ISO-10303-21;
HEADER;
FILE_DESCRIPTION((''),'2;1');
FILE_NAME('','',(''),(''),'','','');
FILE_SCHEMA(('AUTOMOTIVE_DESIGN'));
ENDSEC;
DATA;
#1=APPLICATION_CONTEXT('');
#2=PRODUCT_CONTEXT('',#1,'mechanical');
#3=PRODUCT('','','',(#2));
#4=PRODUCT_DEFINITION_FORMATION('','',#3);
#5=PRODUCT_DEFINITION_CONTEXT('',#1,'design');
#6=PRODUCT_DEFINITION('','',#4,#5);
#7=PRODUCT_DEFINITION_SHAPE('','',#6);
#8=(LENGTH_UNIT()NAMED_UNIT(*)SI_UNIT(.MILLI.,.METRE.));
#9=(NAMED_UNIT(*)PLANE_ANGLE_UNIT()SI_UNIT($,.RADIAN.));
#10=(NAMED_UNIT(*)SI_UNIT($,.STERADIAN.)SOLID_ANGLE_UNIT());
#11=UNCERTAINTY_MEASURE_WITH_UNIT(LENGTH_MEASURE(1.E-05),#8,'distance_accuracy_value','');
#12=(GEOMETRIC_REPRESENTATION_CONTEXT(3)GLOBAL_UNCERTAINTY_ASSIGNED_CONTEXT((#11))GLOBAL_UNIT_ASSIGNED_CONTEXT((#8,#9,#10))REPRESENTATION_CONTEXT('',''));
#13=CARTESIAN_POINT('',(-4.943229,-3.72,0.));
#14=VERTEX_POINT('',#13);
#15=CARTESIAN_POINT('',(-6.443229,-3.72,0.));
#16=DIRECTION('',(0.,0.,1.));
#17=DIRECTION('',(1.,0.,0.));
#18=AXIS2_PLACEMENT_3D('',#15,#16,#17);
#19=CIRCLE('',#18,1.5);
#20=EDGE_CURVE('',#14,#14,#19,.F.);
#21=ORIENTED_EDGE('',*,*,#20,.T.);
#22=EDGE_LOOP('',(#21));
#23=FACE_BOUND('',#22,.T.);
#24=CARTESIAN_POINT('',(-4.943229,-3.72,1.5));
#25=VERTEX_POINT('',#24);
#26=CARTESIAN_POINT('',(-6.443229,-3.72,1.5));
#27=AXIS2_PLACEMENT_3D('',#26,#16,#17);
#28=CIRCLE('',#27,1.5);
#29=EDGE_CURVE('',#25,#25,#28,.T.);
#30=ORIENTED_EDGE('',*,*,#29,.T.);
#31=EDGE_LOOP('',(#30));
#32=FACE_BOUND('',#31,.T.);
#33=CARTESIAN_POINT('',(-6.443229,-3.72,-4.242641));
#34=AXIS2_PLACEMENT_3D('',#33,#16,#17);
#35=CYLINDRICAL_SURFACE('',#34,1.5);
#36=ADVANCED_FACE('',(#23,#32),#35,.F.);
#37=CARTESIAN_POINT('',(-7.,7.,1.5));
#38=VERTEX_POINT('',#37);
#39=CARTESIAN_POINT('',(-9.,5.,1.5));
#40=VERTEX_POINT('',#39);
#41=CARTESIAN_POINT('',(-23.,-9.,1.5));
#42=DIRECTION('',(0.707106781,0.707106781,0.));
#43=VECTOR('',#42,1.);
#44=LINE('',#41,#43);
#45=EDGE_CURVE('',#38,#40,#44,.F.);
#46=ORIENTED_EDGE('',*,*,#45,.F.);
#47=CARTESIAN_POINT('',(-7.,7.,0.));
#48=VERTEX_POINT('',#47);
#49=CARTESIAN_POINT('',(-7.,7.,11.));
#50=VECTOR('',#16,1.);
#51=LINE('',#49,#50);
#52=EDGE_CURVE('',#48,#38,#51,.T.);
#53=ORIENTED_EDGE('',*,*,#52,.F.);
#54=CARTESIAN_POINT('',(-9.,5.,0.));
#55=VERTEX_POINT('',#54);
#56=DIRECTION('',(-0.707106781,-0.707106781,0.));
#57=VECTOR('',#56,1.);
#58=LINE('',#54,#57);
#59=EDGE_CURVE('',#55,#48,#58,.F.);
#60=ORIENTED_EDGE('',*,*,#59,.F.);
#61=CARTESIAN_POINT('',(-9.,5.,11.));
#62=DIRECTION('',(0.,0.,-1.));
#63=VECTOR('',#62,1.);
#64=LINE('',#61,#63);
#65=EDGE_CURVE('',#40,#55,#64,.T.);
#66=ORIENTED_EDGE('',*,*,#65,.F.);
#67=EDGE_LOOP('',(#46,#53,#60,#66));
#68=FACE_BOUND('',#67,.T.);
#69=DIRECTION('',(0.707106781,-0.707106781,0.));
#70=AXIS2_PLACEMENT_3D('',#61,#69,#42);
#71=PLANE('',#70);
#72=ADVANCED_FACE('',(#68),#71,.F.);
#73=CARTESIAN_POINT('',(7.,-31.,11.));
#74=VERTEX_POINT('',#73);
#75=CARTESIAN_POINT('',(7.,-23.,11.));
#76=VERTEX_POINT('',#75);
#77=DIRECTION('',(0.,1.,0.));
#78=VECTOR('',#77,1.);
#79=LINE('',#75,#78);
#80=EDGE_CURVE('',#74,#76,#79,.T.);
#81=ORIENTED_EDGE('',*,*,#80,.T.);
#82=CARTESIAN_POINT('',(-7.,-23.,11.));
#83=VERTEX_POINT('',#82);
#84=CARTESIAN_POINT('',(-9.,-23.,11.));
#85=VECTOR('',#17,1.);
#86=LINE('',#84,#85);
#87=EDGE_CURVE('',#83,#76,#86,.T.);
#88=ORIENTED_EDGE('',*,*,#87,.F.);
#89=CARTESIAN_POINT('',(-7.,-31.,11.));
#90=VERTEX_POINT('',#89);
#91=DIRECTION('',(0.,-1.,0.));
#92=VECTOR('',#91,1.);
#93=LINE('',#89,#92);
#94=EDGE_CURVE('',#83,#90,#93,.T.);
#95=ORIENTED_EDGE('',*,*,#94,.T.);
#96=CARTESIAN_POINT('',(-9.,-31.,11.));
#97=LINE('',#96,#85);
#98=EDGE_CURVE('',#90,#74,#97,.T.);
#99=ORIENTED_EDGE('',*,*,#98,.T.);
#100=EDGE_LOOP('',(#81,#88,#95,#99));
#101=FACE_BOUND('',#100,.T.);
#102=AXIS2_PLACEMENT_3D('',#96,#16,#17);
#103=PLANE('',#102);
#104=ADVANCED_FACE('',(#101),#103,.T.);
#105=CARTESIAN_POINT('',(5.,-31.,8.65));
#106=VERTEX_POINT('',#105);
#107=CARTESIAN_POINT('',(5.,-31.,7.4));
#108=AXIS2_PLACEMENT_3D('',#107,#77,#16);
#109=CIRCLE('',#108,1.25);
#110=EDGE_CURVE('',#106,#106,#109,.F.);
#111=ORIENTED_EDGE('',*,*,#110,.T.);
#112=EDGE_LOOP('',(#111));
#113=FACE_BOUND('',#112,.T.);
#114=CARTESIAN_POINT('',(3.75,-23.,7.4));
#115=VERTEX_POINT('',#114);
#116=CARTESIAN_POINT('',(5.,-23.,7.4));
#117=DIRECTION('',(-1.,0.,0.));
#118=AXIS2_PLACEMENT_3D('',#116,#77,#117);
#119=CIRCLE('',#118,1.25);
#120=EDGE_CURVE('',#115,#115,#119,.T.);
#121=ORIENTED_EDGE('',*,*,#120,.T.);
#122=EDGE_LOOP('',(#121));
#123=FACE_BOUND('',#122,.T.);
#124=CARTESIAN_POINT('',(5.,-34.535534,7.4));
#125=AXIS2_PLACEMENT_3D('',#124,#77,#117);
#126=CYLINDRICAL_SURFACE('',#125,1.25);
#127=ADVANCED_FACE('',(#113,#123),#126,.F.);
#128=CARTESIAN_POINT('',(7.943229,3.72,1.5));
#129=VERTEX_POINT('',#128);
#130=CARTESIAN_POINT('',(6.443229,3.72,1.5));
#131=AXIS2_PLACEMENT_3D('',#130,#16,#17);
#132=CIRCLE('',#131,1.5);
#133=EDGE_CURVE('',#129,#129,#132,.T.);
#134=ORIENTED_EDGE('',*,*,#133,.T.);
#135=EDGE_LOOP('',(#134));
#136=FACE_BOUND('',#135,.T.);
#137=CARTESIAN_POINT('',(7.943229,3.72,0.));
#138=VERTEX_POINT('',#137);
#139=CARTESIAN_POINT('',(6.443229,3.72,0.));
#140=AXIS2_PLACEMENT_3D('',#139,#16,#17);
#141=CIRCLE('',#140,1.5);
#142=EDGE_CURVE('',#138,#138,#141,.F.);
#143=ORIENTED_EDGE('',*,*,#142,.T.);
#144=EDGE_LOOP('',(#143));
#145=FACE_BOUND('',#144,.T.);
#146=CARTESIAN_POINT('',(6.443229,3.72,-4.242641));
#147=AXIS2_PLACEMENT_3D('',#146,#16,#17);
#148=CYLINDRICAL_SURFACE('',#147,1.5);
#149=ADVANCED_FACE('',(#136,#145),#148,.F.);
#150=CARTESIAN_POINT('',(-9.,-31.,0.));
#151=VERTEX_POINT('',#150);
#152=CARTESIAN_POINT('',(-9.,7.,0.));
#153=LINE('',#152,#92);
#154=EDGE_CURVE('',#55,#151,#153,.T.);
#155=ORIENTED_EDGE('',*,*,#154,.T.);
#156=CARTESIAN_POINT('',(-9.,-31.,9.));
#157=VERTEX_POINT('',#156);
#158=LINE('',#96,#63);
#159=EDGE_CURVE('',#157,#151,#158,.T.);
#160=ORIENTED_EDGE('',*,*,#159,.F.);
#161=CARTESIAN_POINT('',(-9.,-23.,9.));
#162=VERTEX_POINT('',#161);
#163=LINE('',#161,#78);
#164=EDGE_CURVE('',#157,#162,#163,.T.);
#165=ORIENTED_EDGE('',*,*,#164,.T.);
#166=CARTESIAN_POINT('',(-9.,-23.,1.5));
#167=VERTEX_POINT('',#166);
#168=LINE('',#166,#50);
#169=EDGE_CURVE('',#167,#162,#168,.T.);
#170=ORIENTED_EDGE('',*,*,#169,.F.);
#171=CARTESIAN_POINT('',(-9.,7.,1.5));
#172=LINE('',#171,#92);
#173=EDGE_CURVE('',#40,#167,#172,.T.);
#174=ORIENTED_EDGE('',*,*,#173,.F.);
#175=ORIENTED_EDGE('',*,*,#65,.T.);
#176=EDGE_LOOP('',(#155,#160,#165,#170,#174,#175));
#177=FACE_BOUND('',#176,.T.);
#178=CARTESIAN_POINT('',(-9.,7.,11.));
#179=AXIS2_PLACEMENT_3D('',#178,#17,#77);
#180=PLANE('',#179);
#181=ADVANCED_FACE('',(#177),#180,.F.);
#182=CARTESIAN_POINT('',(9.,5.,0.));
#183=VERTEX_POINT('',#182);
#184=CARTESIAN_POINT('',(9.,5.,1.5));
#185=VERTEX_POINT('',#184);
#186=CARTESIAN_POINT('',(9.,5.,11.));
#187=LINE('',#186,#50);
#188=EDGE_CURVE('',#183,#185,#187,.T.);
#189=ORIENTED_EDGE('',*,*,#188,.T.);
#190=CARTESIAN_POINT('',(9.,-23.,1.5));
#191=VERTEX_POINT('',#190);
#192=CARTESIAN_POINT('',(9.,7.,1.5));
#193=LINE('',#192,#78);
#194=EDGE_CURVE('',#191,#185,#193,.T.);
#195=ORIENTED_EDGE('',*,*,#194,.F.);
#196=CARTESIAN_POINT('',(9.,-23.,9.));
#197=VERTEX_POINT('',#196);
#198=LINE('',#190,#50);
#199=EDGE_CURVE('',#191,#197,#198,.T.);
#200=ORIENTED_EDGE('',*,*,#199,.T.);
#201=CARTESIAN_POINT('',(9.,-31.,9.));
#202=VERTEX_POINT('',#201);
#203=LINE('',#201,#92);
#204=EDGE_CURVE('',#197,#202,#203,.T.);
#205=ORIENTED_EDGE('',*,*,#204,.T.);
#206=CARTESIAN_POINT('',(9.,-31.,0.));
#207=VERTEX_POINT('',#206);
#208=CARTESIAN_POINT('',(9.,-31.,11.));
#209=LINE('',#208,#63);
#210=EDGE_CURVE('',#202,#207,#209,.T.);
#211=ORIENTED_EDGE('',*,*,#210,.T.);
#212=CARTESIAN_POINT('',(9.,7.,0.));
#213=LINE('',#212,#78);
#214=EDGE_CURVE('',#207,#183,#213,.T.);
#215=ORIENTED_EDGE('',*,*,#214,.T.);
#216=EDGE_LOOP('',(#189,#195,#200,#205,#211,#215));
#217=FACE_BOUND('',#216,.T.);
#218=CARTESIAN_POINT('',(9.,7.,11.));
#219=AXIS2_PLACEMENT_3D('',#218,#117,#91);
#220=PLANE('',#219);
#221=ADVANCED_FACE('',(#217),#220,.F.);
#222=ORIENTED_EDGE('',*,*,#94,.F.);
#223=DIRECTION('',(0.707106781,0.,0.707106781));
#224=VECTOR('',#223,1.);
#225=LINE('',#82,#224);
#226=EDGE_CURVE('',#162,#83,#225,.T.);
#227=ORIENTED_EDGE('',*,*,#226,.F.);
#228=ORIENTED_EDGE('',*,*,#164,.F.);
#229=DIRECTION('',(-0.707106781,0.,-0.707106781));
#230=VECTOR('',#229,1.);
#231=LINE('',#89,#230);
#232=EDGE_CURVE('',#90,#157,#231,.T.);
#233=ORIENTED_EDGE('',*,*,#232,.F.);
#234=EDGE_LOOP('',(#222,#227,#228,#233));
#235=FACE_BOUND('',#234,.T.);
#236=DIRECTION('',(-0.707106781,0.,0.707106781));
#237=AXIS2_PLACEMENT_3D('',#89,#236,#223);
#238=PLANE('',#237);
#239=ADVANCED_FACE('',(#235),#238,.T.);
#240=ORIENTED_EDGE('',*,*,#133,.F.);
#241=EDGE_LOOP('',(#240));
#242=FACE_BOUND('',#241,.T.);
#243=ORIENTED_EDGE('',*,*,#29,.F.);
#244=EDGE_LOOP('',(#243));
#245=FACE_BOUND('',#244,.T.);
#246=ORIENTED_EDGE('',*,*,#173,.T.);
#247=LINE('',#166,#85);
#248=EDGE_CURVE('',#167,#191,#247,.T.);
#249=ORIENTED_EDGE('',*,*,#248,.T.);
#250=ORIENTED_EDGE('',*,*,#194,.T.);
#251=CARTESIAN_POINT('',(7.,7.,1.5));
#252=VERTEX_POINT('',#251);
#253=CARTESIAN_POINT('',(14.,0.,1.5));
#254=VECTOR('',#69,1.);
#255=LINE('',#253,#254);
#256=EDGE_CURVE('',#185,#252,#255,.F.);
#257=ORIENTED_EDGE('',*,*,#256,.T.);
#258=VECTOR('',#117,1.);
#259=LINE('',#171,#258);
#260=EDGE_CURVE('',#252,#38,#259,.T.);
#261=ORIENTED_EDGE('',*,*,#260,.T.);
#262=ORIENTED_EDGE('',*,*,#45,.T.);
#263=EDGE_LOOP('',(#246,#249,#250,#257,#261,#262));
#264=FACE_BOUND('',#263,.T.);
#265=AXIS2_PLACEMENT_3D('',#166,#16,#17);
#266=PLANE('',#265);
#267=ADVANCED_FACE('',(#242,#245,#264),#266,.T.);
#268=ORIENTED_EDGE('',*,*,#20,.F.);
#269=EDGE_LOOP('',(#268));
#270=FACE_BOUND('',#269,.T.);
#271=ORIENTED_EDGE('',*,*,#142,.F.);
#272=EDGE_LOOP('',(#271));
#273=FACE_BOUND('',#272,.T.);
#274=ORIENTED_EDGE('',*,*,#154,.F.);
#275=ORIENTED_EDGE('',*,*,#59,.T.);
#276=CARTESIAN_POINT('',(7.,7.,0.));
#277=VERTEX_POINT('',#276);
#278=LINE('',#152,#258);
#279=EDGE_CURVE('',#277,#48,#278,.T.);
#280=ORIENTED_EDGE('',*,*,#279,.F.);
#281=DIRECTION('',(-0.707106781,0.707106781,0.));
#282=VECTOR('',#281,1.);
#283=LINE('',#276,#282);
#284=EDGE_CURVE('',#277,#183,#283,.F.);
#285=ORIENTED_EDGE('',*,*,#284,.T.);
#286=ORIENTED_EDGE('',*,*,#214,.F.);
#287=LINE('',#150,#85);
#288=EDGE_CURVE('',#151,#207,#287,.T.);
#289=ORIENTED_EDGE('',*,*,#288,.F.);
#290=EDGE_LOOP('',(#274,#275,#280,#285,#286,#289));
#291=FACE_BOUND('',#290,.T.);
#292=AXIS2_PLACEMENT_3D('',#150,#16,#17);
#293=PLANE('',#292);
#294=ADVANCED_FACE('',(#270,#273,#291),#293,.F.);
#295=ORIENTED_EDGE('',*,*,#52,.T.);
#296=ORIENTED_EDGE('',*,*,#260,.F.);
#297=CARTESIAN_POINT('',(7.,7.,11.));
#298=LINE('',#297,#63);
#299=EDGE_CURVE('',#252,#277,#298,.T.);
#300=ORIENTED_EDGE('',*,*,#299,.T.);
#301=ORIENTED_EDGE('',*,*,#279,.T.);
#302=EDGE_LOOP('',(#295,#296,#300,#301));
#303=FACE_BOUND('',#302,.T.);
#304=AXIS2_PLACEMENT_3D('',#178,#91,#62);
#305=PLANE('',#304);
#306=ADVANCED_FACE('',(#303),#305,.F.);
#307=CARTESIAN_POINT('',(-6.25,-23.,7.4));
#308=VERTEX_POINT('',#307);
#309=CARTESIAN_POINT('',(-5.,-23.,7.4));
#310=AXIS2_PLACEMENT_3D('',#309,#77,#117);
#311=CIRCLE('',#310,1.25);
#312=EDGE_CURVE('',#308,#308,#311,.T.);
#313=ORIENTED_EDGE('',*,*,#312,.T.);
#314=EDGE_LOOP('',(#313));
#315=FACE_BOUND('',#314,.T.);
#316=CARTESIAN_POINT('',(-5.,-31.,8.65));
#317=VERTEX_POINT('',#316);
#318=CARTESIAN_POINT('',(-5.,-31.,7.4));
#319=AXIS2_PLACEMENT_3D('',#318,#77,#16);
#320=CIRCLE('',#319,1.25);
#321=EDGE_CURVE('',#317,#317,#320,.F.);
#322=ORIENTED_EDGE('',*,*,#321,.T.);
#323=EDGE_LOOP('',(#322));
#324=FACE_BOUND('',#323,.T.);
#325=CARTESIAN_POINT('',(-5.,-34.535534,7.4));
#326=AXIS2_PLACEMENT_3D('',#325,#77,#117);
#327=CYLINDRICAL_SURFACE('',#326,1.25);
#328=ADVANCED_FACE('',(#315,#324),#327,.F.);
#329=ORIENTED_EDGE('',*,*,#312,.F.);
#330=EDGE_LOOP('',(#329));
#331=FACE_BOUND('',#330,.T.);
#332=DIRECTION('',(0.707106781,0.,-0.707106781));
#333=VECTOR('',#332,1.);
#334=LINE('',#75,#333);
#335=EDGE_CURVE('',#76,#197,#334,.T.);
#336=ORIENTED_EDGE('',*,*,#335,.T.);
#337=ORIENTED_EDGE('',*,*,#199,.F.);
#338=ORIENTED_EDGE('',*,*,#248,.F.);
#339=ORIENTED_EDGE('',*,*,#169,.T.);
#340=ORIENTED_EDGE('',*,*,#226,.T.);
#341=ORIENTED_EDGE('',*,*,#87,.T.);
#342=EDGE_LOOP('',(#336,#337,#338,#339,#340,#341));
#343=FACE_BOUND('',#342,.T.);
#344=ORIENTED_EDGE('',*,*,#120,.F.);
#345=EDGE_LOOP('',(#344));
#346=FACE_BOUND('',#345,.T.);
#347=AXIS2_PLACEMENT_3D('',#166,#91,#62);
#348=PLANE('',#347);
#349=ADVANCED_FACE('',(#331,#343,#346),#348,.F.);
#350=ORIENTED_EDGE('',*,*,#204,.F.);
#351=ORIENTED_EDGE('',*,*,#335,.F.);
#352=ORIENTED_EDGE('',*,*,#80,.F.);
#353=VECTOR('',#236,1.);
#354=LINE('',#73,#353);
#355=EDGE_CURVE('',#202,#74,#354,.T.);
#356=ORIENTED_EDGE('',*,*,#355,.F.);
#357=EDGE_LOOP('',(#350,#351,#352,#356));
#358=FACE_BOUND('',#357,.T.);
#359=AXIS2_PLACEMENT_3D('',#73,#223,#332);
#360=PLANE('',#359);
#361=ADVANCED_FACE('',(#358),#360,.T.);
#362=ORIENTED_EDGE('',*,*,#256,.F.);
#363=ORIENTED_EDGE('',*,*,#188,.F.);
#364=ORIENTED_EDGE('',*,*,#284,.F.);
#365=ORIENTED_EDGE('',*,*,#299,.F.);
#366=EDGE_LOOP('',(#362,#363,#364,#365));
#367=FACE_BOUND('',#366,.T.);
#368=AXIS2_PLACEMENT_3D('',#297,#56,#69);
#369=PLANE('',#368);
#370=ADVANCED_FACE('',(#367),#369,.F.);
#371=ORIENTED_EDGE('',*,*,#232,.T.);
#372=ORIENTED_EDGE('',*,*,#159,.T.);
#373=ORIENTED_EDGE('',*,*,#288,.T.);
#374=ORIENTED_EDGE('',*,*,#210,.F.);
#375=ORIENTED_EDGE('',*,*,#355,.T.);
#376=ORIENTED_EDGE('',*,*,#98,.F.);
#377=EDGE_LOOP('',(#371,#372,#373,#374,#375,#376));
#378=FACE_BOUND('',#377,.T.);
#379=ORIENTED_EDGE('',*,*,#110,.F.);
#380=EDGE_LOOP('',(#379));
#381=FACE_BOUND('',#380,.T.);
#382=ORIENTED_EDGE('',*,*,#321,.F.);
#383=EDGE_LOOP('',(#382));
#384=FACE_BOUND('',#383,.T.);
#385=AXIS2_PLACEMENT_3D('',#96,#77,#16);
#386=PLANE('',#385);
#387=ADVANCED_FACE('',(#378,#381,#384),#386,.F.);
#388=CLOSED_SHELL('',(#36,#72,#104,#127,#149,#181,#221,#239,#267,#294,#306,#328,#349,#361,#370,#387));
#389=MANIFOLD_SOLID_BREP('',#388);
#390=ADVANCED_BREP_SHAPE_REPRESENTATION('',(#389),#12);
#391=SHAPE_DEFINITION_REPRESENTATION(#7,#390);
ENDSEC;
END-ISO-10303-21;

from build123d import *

# Parameters (mm, degrees)
SKETCH1_W             = 18
SKETCH1_H             = 38
EXTRUDE1_DEPTH        = 11
SKETCH2_W             = 18
SKETCH2_H             = 30
EXTRUDE2_DEPTH        = 9.5
SKETCH3_R             = 1.5
EXTRUDE3_DEPTH        = 1.5
SKETCH4_R             = 1.25
EXTRUDE5_DEPTH        = 8
M3_TAPPED_HOLE3_D     = 2.5
M3_TAPPED_HOLE3_DEPTH = 11.5
M3_TAPPED_HOLE3_TIP   = 0.751075774
CHAMFER2_SIZE         = 2


with BuildPart() as part:
    # Sketch1 → Extrude1 (new body)
    with BuildSketch(Plane.XY):
        with Locations((0, -12)):
            Rectangle(SKETCH1_W, SKETCH1_H)
    extrude(amount=EXTRUDE1_DEPTH)

    # Sketch2 → Extrude2 (cut)
    with BuildSketch(Plane.XY.offset(11)):
        with Locations((0, -8)):
            Rectangle(SKETCH2_W, SKETCH2_H)
    extrude(amount=-EXTRUDE2_DEPTH, mode=Mode.SUBTRACT)

    # Sketch3 → Extrude3 (cut)
    with BuildSketch(Plane.XY.offset(1.5)):
        with Locations((6.443229004, 3.72)):
            Circle(SKETCH3_R)
        with Locations((-6.443229004, -3.72)):
            Circle(SKETCH3_R)
    extrude(amount=-EXTRUDE3_DEPTH, mode=Mode.SUBTRACT)

    # Sketch4 → Extrude5 (cut)
    with BuildSketch(Plane(origin=(0, -23, 0), x_dir=(1, 0, 0), z_dir=(0, 1, 0))):
        with Locations(Location((-5, -7.4, 0), (0, 0, 180))):
            Circle(SKETCH4_R)
        with Locations(Location((5, -7.4, 0), (0, 0, 180))):
            Circle(SKETCH4_R)
    extrude(amount=-EXTRUDE5_DEPTH, mode=Mode.SUBTRACT)

    # M3 Tapped Hole3
    with Locations(Plane(origin=(5, -31, 7.4), x_dir=(0, 0, -1), z_dir=(0, -1, 0))):
        with Locations((0, 0), (0, -10)):
            Hole(M3_TAPPED_HOLE3_D / 2, depth=M3_TAPPED_HOLE3_DEPTH)
            with Locations((0, 0, -(M3_TAPPED_HOLE3_DEPTH + M3_TAPPED_HOLE3_TIP / 2))):  # 118° drill point
                Cone(0, M3_TAPPED_HOLE3_D / 2, M3_TAPPED_HOLE3_TIP, mode=Mode.SUBTRACT)

    # Chamfer2
    chamfer2_edges = [part.edges().sort_by_distance(p)[0] for p in [
        (9, -27, 11),
        (-9, -27, 11),
        (-9, 7, 0.75),
        (9, 7, 0.75),
    ]]
    chamfer(chamfer2_edges, length=CHAMFER2_SIZE)


solid = part.part
